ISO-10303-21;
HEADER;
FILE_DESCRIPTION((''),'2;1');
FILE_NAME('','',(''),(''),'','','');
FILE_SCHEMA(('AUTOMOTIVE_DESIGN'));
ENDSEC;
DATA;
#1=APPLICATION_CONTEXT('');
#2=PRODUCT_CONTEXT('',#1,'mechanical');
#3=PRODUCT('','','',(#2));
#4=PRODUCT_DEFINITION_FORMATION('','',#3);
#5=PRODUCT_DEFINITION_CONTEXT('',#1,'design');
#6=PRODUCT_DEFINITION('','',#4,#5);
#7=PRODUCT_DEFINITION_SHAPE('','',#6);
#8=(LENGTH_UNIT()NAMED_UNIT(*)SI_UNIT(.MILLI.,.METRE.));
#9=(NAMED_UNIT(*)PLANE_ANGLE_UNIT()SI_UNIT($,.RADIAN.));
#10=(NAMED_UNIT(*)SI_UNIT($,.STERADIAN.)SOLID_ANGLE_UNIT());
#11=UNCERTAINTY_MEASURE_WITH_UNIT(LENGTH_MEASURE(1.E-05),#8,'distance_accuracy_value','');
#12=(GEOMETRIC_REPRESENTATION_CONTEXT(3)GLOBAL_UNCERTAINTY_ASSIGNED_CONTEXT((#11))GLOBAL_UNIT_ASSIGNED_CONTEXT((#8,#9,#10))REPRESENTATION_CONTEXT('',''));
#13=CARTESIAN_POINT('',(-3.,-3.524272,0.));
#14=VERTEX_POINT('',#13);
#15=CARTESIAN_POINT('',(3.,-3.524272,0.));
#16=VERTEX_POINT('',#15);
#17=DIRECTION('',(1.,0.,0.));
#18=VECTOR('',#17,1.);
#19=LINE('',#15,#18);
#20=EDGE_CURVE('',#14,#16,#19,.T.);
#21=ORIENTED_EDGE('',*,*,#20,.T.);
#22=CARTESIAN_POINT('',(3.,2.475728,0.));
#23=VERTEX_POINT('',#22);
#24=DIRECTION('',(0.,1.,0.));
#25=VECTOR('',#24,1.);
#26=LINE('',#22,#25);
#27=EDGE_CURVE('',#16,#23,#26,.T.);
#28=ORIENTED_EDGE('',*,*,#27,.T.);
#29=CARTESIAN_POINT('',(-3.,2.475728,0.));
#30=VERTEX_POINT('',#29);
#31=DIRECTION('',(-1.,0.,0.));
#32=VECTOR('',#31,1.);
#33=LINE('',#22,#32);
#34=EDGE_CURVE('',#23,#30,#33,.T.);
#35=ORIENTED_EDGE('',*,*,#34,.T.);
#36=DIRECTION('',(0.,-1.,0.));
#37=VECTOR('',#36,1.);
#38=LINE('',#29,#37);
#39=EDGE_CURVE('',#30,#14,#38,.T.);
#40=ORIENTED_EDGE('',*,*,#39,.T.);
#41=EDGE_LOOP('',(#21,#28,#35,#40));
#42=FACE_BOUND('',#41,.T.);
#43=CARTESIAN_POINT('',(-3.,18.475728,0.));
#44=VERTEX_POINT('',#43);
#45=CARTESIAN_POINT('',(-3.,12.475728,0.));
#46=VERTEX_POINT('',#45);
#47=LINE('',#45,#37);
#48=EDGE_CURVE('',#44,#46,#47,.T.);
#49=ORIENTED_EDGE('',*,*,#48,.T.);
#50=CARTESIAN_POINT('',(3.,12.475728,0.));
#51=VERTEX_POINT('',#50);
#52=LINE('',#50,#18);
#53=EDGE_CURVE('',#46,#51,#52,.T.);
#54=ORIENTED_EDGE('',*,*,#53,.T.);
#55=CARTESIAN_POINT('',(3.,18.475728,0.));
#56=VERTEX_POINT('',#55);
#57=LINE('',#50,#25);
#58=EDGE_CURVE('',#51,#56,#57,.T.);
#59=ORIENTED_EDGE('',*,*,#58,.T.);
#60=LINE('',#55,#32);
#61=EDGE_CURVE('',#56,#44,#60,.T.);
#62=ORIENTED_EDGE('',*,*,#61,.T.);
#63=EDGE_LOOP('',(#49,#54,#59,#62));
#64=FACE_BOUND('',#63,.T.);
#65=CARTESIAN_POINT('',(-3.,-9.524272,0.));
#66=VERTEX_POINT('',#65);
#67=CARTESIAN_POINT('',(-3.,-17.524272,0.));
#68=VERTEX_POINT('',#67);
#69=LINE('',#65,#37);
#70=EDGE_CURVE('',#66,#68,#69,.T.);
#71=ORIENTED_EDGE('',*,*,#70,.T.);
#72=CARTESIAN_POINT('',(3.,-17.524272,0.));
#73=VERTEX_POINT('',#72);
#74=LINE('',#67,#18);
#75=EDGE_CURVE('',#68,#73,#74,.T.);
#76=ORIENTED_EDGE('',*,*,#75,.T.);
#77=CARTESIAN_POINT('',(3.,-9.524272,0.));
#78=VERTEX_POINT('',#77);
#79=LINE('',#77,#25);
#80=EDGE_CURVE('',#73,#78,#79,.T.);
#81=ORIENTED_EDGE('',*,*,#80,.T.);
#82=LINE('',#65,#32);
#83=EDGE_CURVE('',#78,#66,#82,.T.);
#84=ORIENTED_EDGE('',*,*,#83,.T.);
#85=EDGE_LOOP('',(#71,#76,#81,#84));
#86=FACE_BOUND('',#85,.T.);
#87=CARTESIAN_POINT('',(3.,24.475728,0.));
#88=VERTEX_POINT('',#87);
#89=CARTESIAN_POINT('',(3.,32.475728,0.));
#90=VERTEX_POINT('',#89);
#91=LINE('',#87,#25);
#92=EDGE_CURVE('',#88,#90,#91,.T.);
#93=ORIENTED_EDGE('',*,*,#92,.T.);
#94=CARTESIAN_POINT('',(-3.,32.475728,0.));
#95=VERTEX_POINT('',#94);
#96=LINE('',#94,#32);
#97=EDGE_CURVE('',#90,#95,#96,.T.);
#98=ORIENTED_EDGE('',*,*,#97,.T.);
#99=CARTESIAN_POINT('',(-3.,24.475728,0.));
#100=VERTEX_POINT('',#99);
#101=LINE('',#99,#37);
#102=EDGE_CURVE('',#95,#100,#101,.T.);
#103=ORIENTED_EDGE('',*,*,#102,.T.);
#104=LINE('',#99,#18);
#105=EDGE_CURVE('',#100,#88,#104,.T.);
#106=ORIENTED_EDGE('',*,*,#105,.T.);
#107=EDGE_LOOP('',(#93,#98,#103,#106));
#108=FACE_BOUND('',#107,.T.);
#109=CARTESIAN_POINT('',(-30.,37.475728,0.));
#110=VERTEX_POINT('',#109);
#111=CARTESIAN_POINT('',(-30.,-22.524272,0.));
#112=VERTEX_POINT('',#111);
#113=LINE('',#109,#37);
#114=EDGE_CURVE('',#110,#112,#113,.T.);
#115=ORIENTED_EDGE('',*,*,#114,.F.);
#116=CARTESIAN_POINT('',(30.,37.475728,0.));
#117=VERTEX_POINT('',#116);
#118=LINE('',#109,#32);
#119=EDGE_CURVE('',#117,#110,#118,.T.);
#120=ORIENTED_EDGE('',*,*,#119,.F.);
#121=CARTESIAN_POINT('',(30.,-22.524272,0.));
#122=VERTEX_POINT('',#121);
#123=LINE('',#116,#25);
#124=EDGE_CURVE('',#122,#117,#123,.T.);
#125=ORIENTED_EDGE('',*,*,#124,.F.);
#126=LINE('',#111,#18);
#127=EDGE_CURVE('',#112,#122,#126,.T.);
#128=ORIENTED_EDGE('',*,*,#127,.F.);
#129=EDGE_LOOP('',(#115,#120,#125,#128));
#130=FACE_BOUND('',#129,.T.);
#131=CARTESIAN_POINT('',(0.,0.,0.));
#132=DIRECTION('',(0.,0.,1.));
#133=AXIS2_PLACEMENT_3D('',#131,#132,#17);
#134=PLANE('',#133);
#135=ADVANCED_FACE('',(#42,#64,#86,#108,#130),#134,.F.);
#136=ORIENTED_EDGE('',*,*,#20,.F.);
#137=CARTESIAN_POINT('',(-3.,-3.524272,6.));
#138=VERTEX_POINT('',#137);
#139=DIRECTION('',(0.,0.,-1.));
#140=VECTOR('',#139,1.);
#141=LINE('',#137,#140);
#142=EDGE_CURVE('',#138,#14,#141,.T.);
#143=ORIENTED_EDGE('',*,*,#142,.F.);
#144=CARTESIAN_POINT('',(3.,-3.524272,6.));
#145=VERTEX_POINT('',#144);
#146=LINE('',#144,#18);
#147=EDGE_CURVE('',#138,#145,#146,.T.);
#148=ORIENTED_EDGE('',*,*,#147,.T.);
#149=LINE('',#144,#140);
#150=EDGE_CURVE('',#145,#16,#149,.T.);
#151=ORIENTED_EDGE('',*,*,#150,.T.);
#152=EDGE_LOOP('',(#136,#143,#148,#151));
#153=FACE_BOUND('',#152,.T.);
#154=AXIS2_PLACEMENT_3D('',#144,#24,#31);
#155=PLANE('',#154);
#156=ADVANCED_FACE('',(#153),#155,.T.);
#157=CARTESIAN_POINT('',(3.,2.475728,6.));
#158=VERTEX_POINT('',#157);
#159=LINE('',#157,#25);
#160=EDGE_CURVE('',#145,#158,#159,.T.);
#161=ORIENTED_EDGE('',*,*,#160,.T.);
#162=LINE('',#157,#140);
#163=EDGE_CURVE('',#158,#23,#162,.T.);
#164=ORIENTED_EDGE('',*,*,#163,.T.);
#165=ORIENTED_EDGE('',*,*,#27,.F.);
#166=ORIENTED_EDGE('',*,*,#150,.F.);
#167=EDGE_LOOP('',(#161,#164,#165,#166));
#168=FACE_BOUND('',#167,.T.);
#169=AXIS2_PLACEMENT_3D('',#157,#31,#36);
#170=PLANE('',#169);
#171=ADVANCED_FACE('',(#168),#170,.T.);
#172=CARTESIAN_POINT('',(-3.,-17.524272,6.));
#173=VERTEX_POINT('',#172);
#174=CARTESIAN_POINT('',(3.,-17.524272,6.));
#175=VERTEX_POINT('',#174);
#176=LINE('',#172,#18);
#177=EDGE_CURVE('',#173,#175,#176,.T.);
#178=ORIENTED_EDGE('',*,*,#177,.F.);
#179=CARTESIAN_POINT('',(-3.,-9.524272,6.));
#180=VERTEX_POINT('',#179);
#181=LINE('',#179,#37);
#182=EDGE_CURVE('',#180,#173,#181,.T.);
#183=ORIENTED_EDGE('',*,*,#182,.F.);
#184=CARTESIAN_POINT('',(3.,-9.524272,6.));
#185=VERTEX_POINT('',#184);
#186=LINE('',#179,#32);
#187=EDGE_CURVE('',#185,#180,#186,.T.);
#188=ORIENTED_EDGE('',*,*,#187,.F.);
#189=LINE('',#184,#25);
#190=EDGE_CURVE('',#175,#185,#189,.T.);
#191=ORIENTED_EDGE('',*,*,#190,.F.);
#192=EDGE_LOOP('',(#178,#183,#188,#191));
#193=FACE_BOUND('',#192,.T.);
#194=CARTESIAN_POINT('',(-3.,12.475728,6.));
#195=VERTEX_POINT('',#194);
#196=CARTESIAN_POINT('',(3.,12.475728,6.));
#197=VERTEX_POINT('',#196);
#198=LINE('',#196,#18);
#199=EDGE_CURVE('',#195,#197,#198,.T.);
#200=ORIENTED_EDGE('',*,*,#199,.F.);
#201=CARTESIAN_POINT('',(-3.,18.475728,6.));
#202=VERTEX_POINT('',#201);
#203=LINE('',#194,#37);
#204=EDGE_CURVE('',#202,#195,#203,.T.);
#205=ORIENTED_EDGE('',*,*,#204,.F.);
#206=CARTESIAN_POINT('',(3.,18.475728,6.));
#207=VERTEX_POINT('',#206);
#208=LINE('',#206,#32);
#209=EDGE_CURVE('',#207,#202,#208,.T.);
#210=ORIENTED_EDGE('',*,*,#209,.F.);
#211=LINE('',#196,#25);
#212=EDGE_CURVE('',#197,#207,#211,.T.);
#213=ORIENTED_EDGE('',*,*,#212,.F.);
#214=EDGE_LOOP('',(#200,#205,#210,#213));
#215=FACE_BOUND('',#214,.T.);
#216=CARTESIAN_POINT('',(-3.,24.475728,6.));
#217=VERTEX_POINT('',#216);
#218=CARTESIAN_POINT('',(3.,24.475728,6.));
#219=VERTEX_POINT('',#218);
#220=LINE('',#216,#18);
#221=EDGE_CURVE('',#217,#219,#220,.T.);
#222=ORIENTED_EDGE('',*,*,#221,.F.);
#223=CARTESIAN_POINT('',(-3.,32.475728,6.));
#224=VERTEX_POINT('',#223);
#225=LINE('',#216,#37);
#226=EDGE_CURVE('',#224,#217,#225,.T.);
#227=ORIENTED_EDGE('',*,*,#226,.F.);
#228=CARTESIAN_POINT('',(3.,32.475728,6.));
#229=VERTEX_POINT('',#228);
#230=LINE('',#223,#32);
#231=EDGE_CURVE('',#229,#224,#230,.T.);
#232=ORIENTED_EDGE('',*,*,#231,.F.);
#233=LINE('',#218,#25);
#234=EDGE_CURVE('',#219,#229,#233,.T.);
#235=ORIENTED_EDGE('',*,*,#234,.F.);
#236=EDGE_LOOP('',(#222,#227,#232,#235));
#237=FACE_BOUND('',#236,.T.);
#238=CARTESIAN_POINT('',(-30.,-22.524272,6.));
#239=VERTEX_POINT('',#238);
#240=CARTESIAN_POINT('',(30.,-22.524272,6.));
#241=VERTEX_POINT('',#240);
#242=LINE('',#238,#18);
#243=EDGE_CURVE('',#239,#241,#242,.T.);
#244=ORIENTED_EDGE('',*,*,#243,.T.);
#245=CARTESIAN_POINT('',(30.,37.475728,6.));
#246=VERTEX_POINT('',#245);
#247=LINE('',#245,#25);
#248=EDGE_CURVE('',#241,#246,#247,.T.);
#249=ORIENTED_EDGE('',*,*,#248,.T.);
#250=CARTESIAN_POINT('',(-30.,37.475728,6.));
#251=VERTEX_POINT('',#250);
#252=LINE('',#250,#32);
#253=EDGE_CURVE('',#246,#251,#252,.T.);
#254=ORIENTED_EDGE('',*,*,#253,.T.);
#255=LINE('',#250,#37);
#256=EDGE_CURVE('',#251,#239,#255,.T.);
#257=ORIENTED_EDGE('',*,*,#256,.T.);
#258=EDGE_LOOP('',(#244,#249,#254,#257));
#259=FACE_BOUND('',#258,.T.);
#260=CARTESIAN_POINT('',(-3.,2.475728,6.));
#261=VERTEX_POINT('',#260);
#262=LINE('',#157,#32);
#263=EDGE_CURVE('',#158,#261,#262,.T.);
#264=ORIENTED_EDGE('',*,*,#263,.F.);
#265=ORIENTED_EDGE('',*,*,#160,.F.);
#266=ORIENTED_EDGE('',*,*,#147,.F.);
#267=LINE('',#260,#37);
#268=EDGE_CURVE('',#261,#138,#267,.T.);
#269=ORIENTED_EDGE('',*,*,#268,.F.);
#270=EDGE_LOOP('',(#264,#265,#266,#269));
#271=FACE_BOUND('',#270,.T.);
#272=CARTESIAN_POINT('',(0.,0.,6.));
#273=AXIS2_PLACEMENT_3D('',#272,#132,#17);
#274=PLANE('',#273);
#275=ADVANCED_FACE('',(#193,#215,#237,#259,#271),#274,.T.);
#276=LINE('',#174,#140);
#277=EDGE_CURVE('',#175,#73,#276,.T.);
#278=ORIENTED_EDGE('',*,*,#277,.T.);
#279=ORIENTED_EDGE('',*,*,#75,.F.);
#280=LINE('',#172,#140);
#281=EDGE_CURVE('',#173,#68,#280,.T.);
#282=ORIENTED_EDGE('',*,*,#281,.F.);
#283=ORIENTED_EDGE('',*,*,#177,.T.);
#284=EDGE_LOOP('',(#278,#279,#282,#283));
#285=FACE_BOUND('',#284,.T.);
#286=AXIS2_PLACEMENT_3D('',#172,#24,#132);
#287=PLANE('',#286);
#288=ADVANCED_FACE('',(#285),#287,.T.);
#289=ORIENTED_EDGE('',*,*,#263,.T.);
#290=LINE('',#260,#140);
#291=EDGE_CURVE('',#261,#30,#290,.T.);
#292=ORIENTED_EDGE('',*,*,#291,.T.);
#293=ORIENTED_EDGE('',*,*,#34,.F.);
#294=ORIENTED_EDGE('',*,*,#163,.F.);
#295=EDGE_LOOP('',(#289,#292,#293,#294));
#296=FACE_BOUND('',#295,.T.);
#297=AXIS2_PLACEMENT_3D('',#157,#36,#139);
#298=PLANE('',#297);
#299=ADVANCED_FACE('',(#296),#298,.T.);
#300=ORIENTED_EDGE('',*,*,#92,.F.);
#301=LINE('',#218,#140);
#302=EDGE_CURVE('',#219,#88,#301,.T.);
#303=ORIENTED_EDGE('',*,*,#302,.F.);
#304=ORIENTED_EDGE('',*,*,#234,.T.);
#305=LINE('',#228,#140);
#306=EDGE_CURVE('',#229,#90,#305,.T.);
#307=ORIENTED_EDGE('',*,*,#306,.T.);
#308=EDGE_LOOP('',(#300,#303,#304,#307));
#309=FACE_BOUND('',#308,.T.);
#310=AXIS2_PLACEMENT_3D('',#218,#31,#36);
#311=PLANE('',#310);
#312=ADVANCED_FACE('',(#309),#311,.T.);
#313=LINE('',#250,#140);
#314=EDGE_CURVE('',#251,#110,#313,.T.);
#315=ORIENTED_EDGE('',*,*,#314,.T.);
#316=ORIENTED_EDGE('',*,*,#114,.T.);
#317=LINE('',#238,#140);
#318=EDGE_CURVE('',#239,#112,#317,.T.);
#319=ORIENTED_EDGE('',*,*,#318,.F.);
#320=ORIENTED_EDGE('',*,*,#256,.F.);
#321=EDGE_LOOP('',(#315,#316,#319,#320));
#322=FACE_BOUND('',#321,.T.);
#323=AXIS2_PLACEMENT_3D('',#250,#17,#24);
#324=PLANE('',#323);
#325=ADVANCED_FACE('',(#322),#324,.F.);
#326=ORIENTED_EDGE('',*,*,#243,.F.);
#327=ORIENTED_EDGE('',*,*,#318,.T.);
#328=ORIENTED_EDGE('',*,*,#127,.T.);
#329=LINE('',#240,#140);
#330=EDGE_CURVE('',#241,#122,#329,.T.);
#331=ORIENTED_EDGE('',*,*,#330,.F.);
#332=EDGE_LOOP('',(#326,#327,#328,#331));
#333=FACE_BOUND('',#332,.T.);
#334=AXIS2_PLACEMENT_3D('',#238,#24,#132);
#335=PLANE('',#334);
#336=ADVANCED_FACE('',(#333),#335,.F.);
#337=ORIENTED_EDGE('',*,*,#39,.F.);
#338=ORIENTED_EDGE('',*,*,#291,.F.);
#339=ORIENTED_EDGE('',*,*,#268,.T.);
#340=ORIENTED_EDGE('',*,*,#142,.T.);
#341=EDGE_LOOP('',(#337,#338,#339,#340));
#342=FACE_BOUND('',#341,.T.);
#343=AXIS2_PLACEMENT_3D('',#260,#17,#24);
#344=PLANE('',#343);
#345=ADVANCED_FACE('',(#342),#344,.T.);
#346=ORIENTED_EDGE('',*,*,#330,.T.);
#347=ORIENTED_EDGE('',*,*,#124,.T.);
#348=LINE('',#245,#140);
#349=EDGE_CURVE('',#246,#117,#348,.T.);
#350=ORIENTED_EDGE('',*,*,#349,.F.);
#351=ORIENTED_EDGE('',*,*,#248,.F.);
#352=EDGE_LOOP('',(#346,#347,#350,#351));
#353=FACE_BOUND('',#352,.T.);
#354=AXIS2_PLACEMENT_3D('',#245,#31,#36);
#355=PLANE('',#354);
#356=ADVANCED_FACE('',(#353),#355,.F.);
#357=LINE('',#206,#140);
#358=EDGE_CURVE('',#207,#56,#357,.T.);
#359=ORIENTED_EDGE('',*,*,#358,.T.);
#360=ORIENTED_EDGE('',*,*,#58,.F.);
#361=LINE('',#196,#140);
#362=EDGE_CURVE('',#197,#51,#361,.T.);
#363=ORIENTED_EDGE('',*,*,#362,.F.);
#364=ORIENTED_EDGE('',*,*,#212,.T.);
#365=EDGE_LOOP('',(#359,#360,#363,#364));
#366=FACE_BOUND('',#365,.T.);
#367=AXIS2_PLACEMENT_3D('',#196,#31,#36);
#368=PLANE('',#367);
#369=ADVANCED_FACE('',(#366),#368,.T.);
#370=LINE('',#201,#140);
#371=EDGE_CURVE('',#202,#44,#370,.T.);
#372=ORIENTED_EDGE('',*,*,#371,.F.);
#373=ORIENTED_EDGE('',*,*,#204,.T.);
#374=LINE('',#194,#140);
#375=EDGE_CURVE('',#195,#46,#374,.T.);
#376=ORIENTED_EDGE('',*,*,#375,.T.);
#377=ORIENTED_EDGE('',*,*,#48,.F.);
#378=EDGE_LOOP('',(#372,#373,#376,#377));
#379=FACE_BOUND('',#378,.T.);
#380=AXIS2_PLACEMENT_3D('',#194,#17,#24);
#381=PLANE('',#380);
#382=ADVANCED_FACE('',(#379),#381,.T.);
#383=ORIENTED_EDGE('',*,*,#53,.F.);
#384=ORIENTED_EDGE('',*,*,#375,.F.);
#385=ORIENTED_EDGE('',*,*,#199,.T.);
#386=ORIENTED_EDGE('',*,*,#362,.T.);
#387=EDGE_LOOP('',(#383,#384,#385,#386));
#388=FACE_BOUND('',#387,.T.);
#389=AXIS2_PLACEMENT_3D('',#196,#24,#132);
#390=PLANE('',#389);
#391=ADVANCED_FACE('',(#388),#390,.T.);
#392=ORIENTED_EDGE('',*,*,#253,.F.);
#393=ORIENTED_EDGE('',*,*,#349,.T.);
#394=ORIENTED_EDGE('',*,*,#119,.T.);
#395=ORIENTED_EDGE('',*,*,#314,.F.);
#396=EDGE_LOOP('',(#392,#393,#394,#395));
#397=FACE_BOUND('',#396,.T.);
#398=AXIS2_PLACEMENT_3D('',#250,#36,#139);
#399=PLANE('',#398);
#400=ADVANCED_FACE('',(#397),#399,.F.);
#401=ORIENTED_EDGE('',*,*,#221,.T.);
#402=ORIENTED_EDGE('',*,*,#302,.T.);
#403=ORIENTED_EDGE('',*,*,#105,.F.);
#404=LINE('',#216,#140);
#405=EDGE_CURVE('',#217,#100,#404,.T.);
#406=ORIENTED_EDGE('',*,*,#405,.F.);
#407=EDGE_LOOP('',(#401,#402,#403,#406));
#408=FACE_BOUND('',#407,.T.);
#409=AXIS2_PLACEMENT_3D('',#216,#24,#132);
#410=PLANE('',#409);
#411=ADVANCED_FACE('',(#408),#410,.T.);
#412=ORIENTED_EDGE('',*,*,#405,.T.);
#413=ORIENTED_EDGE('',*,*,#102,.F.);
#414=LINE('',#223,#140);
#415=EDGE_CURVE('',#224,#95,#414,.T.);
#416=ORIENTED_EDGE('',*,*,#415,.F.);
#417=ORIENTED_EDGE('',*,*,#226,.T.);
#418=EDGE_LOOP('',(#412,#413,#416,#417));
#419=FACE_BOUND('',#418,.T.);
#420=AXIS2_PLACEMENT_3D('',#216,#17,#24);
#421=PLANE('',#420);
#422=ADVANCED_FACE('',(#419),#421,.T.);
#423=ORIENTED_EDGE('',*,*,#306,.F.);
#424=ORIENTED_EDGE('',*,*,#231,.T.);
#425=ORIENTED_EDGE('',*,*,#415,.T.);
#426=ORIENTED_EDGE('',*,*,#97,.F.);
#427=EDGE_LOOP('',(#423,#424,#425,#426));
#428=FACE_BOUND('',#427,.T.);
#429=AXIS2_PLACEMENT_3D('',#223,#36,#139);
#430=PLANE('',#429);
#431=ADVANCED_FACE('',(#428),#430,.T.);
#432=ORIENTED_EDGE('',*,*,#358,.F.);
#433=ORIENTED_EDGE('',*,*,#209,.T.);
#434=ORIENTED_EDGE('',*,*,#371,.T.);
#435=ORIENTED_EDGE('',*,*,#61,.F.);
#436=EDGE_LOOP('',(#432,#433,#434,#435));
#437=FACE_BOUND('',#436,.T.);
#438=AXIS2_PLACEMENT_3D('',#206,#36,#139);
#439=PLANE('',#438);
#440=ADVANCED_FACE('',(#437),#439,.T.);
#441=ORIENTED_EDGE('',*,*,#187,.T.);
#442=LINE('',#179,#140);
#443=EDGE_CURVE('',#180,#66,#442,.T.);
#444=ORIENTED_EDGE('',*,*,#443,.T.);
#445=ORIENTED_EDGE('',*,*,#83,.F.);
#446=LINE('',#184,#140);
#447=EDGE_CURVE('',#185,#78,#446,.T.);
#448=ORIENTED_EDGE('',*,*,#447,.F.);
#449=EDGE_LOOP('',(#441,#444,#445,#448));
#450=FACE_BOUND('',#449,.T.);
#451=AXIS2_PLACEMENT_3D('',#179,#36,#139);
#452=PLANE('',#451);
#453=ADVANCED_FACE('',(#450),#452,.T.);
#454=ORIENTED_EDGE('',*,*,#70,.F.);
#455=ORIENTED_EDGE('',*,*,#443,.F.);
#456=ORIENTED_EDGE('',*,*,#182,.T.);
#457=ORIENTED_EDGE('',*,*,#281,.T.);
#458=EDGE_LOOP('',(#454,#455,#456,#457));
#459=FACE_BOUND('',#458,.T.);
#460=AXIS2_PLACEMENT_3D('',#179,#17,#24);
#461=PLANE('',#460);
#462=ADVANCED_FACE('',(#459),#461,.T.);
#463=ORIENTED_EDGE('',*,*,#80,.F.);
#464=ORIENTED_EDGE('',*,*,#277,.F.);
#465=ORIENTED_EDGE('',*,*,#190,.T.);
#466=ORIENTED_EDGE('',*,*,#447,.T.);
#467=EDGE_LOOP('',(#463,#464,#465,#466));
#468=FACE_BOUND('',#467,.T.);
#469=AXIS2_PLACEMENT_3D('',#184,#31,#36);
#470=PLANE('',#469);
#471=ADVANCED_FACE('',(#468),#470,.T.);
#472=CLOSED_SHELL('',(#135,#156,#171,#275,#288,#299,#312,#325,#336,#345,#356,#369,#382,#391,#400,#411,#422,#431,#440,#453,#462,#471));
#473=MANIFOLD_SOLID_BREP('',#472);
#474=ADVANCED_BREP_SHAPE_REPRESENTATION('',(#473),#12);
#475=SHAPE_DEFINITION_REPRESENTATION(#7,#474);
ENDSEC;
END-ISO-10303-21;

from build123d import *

# Parameters (mm, degrees)
SKETCH2_W           = 60
SKETCH2_H           = 60
SKETCH2_W_2         = 6
SKETCH2_H_2         = 8
SKETCH2_H_3         = 6
BOSS_EXTRUDE1_DEPTH = 6


with BuildPart() as part:
    # Sketch2 → Boss-Extrude1 (new body)
    with BuildSketch(Plane.XY):
        with Locations((0, 7.475728155)):
            Rectangle(SKETCH2_W, SKETCH2_H)
        with Locations((0, -13.524271845)):
            Rectangle(SKETCH2_W_2, SKETCH2_H_2, mode=Mode.SUBTRACT)
        with Locations((0, -0.524271845)):
            Rectangle(SKETCH2_W_2, SKETCH2_H_3, mode=Mode.SUBTRACT)
        with Locations((0, 28.475728155)):
            Rectangle(SKETCH2_W_2, SKETCH2_H_2, mode=Mode.SUBTRACT)
        with Locations((0, 15.475728155)):
            Rectangle(SKETCH2_W_2, SKETCH2_H_3, mode=Mode.SUBTRACT)
    extrude(amount=BOSS_EXTRUDE1_DEPTH)


solid = part.part
